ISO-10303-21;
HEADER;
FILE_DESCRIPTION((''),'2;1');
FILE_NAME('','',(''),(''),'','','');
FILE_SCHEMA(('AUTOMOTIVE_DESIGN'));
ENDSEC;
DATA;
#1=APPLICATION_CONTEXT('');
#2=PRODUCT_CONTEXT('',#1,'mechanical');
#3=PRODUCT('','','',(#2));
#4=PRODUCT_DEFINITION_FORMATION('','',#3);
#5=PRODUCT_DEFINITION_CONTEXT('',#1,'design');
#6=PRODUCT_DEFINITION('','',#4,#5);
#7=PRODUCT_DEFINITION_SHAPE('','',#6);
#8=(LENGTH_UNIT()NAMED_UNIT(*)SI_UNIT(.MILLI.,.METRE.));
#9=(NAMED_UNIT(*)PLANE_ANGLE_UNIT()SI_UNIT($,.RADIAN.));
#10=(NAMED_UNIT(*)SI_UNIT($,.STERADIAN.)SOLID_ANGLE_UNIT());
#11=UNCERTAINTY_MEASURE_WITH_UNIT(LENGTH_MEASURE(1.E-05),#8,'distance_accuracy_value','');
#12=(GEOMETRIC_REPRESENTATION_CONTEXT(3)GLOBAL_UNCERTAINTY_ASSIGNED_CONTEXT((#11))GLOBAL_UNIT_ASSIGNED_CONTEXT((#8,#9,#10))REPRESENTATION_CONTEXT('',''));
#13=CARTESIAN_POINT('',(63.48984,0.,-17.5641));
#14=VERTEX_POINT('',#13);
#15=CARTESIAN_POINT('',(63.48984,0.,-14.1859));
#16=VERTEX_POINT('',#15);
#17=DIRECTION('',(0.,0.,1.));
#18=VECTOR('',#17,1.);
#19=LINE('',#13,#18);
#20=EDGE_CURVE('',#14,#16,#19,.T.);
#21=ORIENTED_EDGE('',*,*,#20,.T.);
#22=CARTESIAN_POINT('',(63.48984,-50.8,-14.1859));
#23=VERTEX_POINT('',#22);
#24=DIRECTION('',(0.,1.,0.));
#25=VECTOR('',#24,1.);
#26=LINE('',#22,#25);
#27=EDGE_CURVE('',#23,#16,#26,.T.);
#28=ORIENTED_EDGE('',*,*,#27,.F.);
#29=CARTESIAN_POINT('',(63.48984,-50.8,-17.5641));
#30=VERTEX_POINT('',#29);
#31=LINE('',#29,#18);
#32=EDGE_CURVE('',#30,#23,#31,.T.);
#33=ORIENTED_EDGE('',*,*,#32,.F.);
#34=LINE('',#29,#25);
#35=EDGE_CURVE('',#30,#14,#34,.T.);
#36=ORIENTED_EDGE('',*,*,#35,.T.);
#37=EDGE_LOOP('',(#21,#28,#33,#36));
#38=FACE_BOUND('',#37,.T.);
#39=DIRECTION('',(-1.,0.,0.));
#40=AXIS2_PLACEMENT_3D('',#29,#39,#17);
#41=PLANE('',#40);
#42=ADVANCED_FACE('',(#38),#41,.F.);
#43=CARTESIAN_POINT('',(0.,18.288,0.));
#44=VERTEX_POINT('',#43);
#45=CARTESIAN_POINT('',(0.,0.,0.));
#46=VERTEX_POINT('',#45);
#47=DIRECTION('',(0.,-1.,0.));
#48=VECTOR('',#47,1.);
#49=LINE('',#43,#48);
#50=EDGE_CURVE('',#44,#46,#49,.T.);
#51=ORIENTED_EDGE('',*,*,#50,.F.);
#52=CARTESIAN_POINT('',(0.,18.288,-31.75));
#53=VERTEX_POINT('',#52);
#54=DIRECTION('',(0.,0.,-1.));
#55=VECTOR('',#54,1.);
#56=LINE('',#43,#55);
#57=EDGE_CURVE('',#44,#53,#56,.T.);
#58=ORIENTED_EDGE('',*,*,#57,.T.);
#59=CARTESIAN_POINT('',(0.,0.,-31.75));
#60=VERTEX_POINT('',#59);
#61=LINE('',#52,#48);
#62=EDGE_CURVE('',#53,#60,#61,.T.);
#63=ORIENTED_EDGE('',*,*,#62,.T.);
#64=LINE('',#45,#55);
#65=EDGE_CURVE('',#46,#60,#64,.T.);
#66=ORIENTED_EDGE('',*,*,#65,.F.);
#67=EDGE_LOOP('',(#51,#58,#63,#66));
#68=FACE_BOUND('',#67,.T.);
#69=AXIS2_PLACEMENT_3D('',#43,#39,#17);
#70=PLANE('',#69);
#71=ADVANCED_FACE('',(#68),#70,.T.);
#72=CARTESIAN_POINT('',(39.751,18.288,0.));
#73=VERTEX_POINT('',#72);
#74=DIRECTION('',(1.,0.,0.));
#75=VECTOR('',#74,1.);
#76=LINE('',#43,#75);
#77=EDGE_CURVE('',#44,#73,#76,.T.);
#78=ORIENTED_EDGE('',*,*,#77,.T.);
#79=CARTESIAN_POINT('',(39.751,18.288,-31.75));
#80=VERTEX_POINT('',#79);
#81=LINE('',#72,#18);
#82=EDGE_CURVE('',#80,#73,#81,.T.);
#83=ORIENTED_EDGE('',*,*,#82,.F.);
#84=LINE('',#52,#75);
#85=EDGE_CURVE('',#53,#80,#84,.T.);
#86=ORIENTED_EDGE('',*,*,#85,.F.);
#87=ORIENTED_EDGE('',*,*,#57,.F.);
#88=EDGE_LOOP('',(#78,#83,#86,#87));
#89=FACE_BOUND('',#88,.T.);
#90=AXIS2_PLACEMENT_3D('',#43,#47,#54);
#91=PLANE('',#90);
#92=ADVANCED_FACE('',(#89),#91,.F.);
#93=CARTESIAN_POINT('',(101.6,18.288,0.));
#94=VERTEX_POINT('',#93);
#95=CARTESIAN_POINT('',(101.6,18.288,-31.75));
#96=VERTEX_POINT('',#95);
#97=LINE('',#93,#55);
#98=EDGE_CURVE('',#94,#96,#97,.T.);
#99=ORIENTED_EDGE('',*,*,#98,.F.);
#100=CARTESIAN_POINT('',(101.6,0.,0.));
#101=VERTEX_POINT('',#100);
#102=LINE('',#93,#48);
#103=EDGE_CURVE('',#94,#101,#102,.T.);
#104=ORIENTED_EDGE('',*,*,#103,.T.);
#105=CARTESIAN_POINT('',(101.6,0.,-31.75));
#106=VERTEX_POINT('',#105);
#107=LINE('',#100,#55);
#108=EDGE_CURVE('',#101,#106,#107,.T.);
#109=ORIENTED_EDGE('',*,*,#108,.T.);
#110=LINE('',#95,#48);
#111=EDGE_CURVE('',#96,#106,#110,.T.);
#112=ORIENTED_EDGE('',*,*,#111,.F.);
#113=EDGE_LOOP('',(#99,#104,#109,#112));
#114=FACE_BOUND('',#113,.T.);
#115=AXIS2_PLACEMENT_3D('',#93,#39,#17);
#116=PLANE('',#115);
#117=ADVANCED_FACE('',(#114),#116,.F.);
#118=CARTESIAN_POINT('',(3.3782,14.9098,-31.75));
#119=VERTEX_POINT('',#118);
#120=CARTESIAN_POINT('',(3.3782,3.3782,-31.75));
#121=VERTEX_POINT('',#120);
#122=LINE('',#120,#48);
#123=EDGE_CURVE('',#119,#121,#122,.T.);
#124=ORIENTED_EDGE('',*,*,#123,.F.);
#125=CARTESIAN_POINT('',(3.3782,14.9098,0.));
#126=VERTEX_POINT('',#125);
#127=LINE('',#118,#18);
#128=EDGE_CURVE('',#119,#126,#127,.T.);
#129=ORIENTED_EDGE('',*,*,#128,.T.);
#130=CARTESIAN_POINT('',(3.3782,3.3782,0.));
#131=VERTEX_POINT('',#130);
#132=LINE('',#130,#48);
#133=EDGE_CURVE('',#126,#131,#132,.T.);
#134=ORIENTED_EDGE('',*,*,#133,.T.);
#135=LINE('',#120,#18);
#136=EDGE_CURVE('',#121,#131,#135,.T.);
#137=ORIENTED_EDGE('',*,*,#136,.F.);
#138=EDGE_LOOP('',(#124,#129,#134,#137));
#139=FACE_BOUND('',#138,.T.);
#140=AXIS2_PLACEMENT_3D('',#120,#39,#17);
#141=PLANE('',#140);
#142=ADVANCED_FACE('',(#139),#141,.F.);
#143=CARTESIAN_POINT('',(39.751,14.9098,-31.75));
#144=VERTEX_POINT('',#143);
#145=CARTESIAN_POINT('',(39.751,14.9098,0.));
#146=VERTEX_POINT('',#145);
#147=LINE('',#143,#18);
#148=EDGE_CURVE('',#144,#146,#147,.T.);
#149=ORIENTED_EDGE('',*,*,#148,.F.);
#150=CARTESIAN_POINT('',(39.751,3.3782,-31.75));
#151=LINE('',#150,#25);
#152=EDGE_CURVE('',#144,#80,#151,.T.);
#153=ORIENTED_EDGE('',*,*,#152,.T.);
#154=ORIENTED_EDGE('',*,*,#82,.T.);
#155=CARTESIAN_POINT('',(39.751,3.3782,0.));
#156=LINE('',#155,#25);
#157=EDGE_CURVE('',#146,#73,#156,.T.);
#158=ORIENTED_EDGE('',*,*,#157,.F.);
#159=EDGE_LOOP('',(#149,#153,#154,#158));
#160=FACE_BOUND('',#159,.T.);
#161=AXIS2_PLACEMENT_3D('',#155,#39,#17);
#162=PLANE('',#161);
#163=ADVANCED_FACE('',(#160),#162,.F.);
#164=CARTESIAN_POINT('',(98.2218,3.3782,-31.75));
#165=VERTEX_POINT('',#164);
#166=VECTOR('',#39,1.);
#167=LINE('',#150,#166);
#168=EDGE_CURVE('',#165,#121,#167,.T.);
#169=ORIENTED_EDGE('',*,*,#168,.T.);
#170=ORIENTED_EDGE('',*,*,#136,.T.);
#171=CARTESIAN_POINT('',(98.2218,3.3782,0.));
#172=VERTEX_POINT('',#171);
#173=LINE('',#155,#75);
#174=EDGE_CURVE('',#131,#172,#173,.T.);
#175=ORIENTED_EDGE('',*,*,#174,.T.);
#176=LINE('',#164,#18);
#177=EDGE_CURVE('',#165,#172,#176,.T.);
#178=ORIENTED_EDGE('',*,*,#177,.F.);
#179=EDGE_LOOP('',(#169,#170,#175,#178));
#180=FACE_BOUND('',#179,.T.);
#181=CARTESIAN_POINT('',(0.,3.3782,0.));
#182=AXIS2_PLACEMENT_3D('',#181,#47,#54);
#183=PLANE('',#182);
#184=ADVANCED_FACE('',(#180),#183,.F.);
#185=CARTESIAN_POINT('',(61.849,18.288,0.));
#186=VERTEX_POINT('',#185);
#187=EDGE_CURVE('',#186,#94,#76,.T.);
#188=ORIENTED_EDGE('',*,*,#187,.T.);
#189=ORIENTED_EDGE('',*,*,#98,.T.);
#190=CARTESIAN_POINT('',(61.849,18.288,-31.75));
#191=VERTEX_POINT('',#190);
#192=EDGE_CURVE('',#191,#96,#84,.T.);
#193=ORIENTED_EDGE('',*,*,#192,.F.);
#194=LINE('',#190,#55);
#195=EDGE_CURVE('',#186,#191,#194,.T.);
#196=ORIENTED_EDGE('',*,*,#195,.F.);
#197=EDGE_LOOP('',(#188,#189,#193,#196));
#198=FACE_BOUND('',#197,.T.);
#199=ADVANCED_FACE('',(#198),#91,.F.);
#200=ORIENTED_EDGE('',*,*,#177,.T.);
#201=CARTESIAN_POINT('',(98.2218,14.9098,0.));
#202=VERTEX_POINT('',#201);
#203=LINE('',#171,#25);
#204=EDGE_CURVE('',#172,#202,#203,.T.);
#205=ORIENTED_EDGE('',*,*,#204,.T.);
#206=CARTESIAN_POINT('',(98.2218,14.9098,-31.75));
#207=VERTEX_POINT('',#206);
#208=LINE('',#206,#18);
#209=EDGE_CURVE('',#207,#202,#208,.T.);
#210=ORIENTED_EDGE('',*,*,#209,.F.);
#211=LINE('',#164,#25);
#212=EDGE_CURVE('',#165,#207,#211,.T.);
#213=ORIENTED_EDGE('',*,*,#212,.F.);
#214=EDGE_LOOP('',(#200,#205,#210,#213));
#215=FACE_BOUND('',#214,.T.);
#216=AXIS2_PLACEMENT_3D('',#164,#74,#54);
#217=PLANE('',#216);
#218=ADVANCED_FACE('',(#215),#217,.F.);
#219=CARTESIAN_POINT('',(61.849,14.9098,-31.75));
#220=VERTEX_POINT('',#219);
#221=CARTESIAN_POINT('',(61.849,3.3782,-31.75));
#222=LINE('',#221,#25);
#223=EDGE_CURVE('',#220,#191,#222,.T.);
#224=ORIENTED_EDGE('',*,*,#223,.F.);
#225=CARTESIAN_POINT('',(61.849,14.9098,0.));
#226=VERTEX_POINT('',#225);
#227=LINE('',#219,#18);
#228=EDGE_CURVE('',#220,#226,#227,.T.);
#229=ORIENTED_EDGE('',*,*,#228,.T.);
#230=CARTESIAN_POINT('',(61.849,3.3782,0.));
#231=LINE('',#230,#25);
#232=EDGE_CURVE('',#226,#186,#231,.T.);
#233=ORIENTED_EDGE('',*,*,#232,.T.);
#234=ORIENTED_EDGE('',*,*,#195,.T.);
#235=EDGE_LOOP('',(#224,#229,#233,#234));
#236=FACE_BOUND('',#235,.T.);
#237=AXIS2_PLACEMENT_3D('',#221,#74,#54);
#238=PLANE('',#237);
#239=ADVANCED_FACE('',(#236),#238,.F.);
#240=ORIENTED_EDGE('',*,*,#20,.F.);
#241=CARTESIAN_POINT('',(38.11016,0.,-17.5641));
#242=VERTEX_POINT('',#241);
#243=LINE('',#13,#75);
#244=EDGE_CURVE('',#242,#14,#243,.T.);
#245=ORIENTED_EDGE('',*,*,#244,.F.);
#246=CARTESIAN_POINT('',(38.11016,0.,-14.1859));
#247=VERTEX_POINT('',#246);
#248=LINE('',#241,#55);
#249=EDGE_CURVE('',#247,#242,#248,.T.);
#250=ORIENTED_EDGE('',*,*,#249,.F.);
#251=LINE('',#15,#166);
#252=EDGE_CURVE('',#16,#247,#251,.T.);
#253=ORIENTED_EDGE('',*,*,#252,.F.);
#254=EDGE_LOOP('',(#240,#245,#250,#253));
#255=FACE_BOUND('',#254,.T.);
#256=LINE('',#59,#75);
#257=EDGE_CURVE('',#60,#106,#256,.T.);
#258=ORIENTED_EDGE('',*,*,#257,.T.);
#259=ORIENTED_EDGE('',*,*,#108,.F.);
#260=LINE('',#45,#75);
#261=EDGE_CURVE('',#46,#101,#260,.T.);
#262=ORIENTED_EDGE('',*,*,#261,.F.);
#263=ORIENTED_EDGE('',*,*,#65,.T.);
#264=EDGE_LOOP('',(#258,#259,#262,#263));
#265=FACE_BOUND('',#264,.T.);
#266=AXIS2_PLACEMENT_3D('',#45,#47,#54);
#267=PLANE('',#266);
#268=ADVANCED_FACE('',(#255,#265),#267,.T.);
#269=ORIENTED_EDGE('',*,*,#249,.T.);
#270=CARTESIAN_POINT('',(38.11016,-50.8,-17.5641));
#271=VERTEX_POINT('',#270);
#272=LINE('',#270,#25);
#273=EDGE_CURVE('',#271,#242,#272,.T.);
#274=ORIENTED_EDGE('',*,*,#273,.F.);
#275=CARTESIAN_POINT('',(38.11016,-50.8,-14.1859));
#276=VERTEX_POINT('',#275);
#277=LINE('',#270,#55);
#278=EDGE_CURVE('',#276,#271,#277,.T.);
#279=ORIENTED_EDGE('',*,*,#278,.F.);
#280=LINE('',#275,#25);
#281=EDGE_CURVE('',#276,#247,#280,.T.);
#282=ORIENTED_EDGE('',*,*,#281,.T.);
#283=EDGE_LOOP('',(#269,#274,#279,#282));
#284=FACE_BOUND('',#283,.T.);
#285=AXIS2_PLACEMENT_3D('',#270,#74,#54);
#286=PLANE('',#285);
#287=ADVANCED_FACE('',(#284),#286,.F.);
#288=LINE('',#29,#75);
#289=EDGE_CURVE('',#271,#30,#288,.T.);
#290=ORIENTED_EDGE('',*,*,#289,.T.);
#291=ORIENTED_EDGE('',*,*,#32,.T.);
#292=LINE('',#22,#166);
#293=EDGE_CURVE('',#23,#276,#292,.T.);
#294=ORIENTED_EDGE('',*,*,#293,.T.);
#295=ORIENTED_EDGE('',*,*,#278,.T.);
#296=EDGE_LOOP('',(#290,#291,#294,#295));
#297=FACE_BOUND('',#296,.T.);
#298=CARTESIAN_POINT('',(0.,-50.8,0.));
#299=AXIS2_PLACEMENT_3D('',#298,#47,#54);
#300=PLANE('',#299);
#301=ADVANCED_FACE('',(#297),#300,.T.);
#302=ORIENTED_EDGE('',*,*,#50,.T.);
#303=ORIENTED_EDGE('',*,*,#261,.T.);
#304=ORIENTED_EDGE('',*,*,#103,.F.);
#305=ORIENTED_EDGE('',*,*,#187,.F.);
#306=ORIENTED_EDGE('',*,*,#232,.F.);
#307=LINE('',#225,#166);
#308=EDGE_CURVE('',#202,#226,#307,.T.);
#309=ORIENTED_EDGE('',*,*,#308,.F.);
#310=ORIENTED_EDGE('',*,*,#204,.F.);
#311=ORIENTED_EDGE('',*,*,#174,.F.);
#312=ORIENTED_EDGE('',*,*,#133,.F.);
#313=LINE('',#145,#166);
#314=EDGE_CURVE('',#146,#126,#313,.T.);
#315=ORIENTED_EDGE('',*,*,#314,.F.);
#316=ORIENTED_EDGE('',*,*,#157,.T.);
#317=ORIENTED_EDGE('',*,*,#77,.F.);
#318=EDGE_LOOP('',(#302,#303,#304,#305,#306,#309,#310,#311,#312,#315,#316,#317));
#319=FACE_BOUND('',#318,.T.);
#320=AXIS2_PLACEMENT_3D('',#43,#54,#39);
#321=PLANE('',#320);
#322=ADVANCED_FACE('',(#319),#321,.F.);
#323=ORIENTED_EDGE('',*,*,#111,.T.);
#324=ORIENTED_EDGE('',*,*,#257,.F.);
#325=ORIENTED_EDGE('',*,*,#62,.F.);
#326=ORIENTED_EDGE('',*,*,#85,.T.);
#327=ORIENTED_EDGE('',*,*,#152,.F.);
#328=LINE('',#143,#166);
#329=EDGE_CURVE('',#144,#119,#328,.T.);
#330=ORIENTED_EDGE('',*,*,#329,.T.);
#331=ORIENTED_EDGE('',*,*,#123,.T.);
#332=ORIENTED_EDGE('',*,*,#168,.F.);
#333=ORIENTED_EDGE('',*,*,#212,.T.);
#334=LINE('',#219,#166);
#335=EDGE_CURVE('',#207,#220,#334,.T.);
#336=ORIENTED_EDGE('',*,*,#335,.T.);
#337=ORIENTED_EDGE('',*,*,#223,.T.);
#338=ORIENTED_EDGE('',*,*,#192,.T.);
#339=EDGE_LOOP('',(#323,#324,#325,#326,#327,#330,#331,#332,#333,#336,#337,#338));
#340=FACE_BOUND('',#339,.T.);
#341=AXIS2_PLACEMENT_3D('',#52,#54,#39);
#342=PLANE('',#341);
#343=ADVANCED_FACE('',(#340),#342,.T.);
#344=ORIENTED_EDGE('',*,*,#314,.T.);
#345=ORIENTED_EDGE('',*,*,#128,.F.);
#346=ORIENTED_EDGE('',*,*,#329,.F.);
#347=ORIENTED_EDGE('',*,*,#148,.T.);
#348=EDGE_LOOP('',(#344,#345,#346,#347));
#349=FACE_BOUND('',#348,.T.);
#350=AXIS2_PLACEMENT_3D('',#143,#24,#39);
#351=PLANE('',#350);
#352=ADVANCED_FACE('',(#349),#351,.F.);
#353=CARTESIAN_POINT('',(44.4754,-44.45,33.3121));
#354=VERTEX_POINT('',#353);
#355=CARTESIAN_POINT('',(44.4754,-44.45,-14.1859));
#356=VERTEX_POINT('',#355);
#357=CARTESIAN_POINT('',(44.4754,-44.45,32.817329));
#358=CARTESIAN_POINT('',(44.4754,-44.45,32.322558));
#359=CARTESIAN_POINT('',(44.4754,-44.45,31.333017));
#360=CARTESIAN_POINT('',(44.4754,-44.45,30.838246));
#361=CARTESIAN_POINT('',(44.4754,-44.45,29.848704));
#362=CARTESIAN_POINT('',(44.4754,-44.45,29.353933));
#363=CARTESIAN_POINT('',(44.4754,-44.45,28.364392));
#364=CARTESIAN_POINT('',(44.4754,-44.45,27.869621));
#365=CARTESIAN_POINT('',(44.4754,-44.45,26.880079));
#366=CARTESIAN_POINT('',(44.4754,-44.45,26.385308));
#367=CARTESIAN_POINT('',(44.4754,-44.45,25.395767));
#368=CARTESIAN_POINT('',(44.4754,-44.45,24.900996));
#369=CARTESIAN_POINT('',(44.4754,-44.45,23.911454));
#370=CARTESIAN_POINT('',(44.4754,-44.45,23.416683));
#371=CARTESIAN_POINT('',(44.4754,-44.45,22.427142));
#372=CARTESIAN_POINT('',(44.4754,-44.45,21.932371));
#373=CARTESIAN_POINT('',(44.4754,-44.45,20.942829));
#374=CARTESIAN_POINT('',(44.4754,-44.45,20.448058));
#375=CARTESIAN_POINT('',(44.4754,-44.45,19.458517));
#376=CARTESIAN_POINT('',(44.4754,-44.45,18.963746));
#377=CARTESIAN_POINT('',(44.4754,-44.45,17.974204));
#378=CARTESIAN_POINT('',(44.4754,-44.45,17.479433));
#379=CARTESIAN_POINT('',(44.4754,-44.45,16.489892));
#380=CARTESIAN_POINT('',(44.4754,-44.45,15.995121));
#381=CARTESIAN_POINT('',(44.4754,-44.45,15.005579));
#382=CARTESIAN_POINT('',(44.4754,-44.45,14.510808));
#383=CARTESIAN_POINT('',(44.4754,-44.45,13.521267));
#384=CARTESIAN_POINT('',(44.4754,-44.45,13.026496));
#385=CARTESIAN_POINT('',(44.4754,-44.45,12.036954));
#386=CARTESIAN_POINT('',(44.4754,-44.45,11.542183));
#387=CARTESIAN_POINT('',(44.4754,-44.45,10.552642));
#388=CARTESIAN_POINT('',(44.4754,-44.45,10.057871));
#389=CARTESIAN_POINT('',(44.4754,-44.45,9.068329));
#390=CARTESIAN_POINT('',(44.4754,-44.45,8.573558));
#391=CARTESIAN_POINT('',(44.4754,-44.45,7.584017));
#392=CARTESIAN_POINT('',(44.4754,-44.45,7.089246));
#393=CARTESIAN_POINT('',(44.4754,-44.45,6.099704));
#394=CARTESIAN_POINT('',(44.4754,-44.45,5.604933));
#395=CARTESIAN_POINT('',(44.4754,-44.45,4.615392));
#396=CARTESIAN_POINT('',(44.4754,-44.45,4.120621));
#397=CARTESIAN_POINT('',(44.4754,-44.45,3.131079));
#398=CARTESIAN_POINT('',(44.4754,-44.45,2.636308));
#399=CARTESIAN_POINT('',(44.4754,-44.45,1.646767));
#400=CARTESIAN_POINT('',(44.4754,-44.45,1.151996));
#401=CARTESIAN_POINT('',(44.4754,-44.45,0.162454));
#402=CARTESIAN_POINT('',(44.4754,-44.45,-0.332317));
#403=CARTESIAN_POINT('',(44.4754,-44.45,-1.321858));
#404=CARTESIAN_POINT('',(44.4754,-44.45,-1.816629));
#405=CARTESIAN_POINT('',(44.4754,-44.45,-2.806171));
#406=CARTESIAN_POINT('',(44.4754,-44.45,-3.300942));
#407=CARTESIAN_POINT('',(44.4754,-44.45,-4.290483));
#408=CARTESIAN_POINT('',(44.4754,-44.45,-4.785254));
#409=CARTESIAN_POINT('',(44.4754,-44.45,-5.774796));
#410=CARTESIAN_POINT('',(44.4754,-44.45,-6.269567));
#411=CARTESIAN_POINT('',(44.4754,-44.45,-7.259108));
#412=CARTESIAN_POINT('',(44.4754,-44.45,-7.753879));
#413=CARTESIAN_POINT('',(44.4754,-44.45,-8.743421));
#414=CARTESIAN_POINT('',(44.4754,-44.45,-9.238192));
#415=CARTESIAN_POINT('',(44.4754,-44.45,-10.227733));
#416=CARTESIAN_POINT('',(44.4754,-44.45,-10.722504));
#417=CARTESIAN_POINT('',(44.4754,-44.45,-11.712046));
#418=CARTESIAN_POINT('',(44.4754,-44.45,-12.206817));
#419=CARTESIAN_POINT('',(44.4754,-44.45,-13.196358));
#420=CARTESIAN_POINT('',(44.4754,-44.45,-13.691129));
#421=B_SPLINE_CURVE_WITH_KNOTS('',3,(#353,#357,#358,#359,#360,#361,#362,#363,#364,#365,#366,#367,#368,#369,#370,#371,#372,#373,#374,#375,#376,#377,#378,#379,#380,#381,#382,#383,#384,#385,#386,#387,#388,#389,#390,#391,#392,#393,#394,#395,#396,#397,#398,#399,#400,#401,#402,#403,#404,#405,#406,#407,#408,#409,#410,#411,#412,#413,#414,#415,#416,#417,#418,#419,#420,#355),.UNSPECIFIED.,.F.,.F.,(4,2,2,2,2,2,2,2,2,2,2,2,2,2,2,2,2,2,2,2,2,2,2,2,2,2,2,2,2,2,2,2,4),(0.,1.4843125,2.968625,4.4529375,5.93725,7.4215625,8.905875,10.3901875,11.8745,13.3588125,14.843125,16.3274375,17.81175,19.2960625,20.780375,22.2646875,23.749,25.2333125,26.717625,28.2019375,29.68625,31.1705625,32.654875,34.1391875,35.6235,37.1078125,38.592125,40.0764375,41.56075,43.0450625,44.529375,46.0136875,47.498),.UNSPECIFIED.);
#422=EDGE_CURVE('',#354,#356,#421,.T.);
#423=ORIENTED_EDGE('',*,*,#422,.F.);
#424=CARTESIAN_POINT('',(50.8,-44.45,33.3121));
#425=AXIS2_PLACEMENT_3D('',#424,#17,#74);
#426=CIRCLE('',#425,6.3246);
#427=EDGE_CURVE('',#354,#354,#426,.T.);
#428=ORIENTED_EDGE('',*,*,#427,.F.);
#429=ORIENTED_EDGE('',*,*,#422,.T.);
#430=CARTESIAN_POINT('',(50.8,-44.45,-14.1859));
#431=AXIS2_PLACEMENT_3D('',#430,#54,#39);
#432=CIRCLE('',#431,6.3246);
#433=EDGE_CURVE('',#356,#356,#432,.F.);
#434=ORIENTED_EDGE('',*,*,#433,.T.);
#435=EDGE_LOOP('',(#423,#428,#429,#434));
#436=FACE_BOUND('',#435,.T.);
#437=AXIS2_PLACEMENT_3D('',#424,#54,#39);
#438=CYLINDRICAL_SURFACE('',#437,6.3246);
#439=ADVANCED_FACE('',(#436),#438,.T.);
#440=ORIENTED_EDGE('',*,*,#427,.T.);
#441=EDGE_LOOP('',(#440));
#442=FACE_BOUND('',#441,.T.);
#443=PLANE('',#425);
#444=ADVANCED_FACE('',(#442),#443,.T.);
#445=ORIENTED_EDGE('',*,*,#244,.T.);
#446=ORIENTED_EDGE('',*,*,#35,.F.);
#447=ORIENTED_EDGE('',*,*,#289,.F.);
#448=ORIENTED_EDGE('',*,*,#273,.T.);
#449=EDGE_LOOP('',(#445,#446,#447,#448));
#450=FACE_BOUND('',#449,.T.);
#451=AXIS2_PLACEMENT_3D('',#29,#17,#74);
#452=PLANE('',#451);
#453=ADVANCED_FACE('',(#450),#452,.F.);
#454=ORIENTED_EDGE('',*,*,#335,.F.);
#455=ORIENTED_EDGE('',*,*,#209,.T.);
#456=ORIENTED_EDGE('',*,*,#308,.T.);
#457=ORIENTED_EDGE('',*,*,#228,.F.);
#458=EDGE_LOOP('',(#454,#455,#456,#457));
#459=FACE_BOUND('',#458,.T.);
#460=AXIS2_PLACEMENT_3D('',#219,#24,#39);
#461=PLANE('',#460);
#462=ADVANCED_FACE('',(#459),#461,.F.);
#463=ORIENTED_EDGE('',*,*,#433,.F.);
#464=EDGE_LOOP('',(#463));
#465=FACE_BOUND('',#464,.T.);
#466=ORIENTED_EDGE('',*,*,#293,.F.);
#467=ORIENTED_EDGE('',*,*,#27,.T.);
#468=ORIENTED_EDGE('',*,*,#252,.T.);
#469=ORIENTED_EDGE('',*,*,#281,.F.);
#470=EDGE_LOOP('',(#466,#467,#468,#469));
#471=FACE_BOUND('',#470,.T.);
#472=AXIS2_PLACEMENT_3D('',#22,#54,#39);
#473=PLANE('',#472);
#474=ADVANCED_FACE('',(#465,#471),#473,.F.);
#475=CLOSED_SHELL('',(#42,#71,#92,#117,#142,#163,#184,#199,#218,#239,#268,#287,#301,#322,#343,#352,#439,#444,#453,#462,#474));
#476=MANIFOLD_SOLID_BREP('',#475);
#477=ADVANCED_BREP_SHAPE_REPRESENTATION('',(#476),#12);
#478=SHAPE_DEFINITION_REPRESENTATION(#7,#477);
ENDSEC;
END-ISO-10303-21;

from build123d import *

# Parameters (mm, degrees)
SKETCH1_W           = 101.6
SKETCH1_H           = 31.75
BOSS_EXTRUDE1_DEPTH = 18.288
SKETCH2_W           = 22.098
SKETCH2_H           = 31.75
CUT_EXTRUDE1_DEPTH  = 14.9098
SKETCH3_W           = 36.3728
SKETCH3_H           = 11.5316
CUT_EXTRUDE2_DEPTH  = 109.004969534
SKETCH4_W           = 25.37968
SKETCH4_H           = 3.3782
BOSS_EXTRUDE2_DEPTH = 50.8
SKETCH5_R           = 6.3246
BOSS_EXTRUDE3_DEPTH = 47.498


with BuildPart() as part:
    # Sketch1 → Boss-Extrude1 (new body)
    with BuildSketch(Plane(origin=(0, 0, 0), x_dir=(1, 0, 0), z_dir=(0, 1, 0))):
        with Locations((50.8, 15.875)):
            Rectangle(SKETCH1_W, SKETCH1_H)
    extrude(amount=BOSS_EXTRUDE1_DEPTH)

    # Sketch2 → Cut-Extrude1 (cut)
    with BuildSketch(Plane(origin=(0, 18.288, 0), x_dir=(1, 0, 0), z_dir=(0, 1, 0))):
        with Locations((50.8, 15.875)):
            Rectangle(SKETCH2_W, SKETCH2_H)
    extrude(amount=-CUT_EXTRUDE1_DEPTH, mode=Mode.SUBTRACT)

    # Sketch3 → Cut-Extrude2 (cut, through all)
    with BuildSketch(Plane.XY):
        with Locations((21.5646, 9.144)):
            Rectangle(SKETCH3_W, SKETCH3_H)
        with Locations((80.0354, 9.144)):
            Rectangle(SKETCH3_W, SKETCH3_H)
    extrude(amount=-CUT_EXTRUDE2_DEPTH, mode=Mode.SUBTRACT)

    # Sketch4 → Boss-Extrude2 (add)
    with BuildSketch(Plane.XZ):
        with Locations((50.8, -15.875)):
            Rectangle(SKETCH4_W, SKETCH4_H)
    extrude(amount=BOSS_EXTRUDE2_DEPTH)

    # Sketch5 → Boss-Extrude3 (add)
    with BuildSketch(Plane.XY.offset(-14.1859)):
        with Locations(Location((50.8, -44.45, 0), (0, 0, 180))):
            Circle(SKETCH5_R)
    extrude(amount=BOSS_EXTRUDE3_DEPTH)


solid = part.part
